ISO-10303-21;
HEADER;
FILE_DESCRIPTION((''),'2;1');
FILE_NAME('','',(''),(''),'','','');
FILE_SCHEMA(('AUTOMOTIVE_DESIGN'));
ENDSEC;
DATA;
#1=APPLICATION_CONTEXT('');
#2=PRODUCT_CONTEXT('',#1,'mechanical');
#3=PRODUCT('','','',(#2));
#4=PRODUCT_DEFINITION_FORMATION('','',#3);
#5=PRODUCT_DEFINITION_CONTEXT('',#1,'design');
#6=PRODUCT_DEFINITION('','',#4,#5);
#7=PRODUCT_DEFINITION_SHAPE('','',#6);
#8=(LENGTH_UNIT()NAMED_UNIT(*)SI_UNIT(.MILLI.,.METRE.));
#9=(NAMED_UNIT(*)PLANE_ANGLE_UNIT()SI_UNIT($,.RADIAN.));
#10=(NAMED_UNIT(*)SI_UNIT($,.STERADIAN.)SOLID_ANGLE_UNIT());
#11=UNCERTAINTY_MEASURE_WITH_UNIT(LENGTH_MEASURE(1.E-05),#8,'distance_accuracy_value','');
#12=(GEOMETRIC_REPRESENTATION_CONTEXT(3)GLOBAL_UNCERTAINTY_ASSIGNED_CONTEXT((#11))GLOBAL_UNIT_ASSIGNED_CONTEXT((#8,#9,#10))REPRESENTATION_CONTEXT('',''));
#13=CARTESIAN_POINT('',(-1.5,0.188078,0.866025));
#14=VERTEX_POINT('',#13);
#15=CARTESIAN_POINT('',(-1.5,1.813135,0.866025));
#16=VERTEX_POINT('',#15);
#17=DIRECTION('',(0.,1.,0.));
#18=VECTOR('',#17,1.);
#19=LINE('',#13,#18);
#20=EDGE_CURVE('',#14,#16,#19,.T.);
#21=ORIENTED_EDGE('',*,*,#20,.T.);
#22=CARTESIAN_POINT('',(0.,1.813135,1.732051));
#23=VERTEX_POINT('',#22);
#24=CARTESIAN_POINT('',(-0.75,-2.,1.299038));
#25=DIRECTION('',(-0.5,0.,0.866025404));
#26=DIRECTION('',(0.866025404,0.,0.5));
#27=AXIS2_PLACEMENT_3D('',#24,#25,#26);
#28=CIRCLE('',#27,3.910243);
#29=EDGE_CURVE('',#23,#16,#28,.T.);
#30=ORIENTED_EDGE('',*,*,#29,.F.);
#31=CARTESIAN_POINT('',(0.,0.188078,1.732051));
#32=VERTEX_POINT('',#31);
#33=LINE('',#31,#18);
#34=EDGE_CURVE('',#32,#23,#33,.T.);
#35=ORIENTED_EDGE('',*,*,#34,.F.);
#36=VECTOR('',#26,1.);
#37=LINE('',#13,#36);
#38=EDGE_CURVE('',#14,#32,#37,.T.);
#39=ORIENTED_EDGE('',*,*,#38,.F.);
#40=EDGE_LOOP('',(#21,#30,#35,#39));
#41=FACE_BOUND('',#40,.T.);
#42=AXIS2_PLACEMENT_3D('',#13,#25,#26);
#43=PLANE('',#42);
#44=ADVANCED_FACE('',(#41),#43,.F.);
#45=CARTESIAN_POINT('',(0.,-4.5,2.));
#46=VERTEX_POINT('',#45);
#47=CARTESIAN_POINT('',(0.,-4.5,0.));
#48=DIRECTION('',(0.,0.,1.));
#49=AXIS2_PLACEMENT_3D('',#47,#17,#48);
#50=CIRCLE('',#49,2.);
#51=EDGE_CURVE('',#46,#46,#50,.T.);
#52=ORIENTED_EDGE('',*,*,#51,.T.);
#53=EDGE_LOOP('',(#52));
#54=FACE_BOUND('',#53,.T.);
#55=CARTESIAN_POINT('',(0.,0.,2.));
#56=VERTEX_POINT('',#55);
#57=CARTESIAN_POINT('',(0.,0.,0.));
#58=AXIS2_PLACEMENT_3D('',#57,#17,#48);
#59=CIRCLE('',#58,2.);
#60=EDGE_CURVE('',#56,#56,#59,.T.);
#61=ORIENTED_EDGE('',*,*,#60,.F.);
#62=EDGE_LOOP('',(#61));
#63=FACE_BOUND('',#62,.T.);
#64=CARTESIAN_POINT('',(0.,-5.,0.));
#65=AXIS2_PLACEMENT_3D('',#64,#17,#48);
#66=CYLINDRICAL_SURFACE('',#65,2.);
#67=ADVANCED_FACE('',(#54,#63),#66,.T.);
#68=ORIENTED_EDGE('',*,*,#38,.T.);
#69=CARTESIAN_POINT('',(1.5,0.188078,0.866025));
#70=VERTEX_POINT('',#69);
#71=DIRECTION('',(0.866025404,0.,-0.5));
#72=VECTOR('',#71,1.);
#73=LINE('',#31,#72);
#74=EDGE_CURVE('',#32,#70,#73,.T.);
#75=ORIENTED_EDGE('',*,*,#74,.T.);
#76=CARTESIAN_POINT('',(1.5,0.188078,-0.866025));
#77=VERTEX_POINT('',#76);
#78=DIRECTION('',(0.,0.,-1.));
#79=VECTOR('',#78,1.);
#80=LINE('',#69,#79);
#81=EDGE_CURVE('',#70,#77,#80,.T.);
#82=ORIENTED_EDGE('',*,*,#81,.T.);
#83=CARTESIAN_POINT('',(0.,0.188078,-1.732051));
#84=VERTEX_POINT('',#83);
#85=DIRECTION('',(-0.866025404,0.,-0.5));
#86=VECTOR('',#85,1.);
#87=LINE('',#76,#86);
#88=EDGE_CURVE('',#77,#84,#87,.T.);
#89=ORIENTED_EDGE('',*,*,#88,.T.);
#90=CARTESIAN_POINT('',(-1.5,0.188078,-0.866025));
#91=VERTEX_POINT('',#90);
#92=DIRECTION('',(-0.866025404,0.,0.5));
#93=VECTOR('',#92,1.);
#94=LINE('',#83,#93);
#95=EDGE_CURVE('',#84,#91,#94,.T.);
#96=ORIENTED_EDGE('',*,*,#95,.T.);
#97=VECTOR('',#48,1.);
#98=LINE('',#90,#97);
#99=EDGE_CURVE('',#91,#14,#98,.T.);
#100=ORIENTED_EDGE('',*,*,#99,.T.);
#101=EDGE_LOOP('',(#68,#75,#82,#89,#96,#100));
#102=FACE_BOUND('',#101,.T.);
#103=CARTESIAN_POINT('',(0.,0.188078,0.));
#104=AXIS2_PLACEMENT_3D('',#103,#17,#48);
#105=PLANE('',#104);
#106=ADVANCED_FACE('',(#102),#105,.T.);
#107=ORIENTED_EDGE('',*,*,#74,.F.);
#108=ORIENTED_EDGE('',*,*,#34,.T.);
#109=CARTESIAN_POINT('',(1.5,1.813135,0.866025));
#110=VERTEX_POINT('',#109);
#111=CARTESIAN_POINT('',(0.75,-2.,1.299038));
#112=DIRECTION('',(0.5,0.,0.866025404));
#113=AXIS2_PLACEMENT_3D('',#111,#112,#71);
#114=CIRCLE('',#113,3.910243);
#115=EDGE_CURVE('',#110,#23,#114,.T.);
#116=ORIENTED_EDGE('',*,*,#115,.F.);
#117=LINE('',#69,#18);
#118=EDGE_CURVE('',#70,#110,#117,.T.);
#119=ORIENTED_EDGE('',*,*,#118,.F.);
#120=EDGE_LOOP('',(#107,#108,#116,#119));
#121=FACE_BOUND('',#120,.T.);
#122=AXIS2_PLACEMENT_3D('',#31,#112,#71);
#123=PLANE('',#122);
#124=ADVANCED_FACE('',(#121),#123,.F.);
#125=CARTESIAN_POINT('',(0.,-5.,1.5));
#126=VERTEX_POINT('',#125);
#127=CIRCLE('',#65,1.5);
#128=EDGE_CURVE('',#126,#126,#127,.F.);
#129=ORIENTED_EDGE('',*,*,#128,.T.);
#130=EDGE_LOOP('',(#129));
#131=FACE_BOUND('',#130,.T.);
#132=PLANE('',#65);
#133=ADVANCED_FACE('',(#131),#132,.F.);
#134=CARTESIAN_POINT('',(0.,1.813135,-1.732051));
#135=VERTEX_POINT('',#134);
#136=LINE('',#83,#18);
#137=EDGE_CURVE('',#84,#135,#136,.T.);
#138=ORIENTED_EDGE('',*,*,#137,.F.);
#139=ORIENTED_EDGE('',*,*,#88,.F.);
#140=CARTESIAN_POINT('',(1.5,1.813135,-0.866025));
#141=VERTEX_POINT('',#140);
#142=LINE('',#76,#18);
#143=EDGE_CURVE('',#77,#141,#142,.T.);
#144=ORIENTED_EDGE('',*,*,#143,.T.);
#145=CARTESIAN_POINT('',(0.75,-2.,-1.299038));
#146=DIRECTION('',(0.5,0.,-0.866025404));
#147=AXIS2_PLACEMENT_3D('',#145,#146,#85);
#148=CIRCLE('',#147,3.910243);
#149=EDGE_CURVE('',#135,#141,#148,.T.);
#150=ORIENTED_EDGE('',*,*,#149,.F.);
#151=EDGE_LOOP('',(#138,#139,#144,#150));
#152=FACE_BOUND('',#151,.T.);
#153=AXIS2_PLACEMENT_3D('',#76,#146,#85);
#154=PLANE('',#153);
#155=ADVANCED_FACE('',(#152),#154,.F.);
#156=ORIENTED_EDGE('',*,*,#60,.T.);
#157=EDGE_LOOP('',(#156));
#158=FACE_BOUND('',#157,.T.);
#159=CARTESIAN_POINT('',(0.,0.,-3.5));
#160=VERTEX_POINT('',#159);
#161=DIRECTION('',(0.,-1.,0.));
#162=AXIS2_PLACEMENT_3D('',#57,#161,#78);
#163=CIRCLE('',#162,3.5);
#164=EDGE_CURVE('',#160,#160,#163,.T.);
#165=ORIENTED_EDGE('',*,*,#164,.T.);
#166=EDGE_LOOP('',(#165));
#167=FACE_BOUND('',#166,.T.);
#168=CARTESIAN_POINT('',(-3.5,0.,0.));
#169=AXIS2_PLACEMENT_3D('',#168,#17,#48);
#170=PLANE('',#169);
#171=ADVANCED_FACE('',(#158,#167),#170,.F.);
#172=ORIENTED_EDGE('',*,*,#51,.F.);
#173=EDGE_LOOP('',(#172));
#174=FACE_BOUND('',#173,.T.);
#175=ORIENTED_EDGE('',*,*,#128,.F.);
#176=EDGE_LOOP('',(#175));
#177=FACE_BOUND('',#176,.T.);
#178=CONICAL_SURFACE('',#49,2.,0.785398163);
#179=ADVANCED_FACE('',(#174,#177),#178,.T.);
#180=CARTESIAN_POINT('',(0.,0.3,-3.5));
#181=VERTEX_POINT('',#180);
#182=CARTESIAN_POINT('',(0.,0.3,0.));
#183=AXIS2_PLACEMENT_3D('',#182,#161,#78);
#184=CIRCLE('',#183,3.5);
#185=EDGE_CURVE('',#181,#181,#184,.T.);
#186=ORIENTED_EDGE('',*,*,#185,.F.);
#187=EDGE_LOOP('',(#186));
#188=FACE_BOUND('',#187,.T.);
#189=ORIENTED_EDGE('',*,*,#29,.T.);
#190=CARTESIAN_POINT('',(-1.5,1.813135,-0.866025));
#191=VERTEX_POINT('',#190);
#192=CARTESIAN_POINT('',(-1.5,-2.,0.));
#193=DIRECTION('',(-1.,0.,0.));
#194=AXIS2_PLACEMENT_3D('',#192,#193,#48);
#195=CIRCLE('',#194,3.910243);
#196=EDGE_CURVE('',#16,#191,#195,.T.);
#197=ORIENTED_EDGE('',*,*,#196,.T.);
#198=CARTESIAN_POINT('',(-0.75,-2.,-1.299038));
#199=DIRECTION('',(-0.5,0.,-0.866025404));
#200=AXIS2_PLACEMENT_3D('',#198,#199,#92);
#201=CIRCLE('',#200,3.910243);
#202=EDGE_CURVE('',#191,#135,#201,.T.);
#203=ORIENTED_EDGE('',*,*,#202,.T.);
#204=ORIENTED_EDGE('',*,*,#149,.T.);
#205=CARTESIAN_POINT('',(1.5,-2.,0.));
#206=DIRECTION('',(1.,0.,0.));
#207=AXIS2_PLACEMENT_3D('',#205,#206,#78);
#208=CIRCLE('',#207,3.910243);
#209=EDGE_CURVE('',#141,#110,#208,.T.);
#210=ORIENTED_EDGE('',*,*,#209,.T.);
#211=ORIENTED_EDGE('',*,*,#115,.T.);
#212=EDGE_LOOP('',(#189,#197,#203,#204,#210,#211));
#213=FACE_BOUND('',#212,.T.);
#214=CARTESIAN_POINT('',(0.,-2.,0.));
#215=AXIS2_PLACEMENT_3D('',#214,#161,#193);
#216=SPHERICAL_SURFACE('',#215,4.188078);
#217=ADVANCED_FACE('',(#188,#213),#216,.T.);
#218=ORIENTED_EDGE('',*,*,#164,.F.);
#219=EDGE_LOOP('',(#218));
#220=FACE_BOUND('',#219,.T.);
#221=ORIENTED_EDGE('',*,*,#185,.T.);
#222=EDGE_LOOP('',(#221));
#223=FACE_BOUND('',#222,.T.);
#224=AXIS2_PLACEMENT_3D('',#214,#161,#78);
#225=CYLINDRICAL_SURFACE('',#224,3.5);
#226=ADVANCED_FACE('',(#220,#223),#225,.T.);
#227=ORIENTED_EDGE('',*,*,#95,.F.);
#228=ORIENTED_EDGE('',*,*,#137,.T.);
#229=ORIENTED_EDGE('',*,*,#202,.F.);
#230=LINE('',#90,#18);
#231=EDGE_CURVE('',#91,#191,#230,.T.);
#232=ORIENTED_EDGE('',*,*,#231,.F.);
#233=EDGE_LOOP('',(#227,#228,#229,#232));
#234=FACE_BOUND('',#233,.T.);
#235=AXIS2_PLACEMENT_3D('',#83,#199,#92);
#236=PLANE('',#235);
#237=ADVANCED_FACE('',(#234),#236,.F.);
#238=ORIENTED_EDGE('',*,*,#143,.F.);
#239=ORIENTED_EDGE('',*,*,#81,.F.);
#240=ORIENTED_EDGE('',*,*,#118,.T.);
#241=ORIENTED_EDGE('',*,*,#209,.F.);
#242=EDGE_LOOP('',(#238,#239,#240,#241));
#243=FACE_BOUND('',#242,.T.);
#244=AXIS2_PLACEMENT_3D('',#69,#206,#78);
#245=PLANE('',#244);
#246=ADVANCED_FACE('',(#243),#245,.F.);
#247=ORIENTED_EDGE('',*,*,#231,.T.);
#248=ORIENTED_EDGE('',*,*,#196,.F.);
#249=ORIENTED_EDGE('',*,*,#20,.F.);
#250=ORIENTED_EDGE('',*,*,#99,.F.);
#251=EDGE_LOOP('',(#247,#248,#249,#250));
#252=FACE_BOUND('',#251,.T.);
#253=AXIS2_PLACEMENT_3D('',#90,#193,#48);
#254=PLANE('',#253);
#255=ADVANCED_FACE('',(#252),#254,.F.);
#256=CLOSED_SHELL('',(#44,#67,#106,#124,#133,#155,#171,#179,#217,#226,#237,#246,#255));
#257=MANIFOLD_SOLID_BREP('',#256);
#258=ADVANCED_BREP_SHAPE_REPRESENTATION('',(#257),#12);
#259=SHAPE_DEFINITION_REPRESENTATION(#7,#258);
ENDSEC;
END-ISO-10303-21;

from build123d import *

# Parameters (mm, degrees)
SKETCH1_R           = 2
BOSS_EXTRUDE3_DEPTH = 5
CHAMFER2_SIZE       = 0.5
CUT_EXTRUDE2_DEPTH  = 2


with BuildPart() as part:
    # Sketch1 → Boss-Extrude3 (new body)
    with BuildSketch(Plane(origin=(0, 0, 0), x_dir=(1, 0, 0), z_dir=(0, 1, 0))):
        Circle(SKETCH1_R)
    extrude(amount=-BOSS_EXTRUDE3_DEPTH)

    # Sketch3 → Revolve2 (revolve)
    with BuildSketch(Plane.XY):
        with BuildLine():
            Line((-3.5, 0), (-3.5, 0.3))
            ThreePointArc((-3.5, 0.3), (-1.988393808, 1.6859585), (0, 2.188078318))
            Line((0, 2.188078318), (0, 0))
            Line((0, 0), (-3.5, 0))
        make_face()
    revolve(axis=Axis((0, -2, 0), (0, 1, 0)))

    # Chamfer2
    chamfer2_edges = [part.edges().sort_by_distance(p)[0] for p in [
        (-2, -5, 0),
    ]]
    chamfer(chamfer2_edges, length=CHAMFER2_SIZE)

    # Sketch4 → Cut-Extrude2 (cut)
    with BuildSketch(Plane(origin=(0, 2.188078318, 0), x_dir=(1, 0, 0), z_dir=(0, 1, 0))):
        Polygon((0, 1.732050808), (-1.5, 0.866025404), (-1.5, -0.866025404), (0, -1.732050808), (1.5, -0.866025404), (1.5, 0.866025404), align=None)
    extrude(amount=-CUT_EXTRUDE2_DEPTH, mode=Mode.SUBTRACT)


solid = part.part
